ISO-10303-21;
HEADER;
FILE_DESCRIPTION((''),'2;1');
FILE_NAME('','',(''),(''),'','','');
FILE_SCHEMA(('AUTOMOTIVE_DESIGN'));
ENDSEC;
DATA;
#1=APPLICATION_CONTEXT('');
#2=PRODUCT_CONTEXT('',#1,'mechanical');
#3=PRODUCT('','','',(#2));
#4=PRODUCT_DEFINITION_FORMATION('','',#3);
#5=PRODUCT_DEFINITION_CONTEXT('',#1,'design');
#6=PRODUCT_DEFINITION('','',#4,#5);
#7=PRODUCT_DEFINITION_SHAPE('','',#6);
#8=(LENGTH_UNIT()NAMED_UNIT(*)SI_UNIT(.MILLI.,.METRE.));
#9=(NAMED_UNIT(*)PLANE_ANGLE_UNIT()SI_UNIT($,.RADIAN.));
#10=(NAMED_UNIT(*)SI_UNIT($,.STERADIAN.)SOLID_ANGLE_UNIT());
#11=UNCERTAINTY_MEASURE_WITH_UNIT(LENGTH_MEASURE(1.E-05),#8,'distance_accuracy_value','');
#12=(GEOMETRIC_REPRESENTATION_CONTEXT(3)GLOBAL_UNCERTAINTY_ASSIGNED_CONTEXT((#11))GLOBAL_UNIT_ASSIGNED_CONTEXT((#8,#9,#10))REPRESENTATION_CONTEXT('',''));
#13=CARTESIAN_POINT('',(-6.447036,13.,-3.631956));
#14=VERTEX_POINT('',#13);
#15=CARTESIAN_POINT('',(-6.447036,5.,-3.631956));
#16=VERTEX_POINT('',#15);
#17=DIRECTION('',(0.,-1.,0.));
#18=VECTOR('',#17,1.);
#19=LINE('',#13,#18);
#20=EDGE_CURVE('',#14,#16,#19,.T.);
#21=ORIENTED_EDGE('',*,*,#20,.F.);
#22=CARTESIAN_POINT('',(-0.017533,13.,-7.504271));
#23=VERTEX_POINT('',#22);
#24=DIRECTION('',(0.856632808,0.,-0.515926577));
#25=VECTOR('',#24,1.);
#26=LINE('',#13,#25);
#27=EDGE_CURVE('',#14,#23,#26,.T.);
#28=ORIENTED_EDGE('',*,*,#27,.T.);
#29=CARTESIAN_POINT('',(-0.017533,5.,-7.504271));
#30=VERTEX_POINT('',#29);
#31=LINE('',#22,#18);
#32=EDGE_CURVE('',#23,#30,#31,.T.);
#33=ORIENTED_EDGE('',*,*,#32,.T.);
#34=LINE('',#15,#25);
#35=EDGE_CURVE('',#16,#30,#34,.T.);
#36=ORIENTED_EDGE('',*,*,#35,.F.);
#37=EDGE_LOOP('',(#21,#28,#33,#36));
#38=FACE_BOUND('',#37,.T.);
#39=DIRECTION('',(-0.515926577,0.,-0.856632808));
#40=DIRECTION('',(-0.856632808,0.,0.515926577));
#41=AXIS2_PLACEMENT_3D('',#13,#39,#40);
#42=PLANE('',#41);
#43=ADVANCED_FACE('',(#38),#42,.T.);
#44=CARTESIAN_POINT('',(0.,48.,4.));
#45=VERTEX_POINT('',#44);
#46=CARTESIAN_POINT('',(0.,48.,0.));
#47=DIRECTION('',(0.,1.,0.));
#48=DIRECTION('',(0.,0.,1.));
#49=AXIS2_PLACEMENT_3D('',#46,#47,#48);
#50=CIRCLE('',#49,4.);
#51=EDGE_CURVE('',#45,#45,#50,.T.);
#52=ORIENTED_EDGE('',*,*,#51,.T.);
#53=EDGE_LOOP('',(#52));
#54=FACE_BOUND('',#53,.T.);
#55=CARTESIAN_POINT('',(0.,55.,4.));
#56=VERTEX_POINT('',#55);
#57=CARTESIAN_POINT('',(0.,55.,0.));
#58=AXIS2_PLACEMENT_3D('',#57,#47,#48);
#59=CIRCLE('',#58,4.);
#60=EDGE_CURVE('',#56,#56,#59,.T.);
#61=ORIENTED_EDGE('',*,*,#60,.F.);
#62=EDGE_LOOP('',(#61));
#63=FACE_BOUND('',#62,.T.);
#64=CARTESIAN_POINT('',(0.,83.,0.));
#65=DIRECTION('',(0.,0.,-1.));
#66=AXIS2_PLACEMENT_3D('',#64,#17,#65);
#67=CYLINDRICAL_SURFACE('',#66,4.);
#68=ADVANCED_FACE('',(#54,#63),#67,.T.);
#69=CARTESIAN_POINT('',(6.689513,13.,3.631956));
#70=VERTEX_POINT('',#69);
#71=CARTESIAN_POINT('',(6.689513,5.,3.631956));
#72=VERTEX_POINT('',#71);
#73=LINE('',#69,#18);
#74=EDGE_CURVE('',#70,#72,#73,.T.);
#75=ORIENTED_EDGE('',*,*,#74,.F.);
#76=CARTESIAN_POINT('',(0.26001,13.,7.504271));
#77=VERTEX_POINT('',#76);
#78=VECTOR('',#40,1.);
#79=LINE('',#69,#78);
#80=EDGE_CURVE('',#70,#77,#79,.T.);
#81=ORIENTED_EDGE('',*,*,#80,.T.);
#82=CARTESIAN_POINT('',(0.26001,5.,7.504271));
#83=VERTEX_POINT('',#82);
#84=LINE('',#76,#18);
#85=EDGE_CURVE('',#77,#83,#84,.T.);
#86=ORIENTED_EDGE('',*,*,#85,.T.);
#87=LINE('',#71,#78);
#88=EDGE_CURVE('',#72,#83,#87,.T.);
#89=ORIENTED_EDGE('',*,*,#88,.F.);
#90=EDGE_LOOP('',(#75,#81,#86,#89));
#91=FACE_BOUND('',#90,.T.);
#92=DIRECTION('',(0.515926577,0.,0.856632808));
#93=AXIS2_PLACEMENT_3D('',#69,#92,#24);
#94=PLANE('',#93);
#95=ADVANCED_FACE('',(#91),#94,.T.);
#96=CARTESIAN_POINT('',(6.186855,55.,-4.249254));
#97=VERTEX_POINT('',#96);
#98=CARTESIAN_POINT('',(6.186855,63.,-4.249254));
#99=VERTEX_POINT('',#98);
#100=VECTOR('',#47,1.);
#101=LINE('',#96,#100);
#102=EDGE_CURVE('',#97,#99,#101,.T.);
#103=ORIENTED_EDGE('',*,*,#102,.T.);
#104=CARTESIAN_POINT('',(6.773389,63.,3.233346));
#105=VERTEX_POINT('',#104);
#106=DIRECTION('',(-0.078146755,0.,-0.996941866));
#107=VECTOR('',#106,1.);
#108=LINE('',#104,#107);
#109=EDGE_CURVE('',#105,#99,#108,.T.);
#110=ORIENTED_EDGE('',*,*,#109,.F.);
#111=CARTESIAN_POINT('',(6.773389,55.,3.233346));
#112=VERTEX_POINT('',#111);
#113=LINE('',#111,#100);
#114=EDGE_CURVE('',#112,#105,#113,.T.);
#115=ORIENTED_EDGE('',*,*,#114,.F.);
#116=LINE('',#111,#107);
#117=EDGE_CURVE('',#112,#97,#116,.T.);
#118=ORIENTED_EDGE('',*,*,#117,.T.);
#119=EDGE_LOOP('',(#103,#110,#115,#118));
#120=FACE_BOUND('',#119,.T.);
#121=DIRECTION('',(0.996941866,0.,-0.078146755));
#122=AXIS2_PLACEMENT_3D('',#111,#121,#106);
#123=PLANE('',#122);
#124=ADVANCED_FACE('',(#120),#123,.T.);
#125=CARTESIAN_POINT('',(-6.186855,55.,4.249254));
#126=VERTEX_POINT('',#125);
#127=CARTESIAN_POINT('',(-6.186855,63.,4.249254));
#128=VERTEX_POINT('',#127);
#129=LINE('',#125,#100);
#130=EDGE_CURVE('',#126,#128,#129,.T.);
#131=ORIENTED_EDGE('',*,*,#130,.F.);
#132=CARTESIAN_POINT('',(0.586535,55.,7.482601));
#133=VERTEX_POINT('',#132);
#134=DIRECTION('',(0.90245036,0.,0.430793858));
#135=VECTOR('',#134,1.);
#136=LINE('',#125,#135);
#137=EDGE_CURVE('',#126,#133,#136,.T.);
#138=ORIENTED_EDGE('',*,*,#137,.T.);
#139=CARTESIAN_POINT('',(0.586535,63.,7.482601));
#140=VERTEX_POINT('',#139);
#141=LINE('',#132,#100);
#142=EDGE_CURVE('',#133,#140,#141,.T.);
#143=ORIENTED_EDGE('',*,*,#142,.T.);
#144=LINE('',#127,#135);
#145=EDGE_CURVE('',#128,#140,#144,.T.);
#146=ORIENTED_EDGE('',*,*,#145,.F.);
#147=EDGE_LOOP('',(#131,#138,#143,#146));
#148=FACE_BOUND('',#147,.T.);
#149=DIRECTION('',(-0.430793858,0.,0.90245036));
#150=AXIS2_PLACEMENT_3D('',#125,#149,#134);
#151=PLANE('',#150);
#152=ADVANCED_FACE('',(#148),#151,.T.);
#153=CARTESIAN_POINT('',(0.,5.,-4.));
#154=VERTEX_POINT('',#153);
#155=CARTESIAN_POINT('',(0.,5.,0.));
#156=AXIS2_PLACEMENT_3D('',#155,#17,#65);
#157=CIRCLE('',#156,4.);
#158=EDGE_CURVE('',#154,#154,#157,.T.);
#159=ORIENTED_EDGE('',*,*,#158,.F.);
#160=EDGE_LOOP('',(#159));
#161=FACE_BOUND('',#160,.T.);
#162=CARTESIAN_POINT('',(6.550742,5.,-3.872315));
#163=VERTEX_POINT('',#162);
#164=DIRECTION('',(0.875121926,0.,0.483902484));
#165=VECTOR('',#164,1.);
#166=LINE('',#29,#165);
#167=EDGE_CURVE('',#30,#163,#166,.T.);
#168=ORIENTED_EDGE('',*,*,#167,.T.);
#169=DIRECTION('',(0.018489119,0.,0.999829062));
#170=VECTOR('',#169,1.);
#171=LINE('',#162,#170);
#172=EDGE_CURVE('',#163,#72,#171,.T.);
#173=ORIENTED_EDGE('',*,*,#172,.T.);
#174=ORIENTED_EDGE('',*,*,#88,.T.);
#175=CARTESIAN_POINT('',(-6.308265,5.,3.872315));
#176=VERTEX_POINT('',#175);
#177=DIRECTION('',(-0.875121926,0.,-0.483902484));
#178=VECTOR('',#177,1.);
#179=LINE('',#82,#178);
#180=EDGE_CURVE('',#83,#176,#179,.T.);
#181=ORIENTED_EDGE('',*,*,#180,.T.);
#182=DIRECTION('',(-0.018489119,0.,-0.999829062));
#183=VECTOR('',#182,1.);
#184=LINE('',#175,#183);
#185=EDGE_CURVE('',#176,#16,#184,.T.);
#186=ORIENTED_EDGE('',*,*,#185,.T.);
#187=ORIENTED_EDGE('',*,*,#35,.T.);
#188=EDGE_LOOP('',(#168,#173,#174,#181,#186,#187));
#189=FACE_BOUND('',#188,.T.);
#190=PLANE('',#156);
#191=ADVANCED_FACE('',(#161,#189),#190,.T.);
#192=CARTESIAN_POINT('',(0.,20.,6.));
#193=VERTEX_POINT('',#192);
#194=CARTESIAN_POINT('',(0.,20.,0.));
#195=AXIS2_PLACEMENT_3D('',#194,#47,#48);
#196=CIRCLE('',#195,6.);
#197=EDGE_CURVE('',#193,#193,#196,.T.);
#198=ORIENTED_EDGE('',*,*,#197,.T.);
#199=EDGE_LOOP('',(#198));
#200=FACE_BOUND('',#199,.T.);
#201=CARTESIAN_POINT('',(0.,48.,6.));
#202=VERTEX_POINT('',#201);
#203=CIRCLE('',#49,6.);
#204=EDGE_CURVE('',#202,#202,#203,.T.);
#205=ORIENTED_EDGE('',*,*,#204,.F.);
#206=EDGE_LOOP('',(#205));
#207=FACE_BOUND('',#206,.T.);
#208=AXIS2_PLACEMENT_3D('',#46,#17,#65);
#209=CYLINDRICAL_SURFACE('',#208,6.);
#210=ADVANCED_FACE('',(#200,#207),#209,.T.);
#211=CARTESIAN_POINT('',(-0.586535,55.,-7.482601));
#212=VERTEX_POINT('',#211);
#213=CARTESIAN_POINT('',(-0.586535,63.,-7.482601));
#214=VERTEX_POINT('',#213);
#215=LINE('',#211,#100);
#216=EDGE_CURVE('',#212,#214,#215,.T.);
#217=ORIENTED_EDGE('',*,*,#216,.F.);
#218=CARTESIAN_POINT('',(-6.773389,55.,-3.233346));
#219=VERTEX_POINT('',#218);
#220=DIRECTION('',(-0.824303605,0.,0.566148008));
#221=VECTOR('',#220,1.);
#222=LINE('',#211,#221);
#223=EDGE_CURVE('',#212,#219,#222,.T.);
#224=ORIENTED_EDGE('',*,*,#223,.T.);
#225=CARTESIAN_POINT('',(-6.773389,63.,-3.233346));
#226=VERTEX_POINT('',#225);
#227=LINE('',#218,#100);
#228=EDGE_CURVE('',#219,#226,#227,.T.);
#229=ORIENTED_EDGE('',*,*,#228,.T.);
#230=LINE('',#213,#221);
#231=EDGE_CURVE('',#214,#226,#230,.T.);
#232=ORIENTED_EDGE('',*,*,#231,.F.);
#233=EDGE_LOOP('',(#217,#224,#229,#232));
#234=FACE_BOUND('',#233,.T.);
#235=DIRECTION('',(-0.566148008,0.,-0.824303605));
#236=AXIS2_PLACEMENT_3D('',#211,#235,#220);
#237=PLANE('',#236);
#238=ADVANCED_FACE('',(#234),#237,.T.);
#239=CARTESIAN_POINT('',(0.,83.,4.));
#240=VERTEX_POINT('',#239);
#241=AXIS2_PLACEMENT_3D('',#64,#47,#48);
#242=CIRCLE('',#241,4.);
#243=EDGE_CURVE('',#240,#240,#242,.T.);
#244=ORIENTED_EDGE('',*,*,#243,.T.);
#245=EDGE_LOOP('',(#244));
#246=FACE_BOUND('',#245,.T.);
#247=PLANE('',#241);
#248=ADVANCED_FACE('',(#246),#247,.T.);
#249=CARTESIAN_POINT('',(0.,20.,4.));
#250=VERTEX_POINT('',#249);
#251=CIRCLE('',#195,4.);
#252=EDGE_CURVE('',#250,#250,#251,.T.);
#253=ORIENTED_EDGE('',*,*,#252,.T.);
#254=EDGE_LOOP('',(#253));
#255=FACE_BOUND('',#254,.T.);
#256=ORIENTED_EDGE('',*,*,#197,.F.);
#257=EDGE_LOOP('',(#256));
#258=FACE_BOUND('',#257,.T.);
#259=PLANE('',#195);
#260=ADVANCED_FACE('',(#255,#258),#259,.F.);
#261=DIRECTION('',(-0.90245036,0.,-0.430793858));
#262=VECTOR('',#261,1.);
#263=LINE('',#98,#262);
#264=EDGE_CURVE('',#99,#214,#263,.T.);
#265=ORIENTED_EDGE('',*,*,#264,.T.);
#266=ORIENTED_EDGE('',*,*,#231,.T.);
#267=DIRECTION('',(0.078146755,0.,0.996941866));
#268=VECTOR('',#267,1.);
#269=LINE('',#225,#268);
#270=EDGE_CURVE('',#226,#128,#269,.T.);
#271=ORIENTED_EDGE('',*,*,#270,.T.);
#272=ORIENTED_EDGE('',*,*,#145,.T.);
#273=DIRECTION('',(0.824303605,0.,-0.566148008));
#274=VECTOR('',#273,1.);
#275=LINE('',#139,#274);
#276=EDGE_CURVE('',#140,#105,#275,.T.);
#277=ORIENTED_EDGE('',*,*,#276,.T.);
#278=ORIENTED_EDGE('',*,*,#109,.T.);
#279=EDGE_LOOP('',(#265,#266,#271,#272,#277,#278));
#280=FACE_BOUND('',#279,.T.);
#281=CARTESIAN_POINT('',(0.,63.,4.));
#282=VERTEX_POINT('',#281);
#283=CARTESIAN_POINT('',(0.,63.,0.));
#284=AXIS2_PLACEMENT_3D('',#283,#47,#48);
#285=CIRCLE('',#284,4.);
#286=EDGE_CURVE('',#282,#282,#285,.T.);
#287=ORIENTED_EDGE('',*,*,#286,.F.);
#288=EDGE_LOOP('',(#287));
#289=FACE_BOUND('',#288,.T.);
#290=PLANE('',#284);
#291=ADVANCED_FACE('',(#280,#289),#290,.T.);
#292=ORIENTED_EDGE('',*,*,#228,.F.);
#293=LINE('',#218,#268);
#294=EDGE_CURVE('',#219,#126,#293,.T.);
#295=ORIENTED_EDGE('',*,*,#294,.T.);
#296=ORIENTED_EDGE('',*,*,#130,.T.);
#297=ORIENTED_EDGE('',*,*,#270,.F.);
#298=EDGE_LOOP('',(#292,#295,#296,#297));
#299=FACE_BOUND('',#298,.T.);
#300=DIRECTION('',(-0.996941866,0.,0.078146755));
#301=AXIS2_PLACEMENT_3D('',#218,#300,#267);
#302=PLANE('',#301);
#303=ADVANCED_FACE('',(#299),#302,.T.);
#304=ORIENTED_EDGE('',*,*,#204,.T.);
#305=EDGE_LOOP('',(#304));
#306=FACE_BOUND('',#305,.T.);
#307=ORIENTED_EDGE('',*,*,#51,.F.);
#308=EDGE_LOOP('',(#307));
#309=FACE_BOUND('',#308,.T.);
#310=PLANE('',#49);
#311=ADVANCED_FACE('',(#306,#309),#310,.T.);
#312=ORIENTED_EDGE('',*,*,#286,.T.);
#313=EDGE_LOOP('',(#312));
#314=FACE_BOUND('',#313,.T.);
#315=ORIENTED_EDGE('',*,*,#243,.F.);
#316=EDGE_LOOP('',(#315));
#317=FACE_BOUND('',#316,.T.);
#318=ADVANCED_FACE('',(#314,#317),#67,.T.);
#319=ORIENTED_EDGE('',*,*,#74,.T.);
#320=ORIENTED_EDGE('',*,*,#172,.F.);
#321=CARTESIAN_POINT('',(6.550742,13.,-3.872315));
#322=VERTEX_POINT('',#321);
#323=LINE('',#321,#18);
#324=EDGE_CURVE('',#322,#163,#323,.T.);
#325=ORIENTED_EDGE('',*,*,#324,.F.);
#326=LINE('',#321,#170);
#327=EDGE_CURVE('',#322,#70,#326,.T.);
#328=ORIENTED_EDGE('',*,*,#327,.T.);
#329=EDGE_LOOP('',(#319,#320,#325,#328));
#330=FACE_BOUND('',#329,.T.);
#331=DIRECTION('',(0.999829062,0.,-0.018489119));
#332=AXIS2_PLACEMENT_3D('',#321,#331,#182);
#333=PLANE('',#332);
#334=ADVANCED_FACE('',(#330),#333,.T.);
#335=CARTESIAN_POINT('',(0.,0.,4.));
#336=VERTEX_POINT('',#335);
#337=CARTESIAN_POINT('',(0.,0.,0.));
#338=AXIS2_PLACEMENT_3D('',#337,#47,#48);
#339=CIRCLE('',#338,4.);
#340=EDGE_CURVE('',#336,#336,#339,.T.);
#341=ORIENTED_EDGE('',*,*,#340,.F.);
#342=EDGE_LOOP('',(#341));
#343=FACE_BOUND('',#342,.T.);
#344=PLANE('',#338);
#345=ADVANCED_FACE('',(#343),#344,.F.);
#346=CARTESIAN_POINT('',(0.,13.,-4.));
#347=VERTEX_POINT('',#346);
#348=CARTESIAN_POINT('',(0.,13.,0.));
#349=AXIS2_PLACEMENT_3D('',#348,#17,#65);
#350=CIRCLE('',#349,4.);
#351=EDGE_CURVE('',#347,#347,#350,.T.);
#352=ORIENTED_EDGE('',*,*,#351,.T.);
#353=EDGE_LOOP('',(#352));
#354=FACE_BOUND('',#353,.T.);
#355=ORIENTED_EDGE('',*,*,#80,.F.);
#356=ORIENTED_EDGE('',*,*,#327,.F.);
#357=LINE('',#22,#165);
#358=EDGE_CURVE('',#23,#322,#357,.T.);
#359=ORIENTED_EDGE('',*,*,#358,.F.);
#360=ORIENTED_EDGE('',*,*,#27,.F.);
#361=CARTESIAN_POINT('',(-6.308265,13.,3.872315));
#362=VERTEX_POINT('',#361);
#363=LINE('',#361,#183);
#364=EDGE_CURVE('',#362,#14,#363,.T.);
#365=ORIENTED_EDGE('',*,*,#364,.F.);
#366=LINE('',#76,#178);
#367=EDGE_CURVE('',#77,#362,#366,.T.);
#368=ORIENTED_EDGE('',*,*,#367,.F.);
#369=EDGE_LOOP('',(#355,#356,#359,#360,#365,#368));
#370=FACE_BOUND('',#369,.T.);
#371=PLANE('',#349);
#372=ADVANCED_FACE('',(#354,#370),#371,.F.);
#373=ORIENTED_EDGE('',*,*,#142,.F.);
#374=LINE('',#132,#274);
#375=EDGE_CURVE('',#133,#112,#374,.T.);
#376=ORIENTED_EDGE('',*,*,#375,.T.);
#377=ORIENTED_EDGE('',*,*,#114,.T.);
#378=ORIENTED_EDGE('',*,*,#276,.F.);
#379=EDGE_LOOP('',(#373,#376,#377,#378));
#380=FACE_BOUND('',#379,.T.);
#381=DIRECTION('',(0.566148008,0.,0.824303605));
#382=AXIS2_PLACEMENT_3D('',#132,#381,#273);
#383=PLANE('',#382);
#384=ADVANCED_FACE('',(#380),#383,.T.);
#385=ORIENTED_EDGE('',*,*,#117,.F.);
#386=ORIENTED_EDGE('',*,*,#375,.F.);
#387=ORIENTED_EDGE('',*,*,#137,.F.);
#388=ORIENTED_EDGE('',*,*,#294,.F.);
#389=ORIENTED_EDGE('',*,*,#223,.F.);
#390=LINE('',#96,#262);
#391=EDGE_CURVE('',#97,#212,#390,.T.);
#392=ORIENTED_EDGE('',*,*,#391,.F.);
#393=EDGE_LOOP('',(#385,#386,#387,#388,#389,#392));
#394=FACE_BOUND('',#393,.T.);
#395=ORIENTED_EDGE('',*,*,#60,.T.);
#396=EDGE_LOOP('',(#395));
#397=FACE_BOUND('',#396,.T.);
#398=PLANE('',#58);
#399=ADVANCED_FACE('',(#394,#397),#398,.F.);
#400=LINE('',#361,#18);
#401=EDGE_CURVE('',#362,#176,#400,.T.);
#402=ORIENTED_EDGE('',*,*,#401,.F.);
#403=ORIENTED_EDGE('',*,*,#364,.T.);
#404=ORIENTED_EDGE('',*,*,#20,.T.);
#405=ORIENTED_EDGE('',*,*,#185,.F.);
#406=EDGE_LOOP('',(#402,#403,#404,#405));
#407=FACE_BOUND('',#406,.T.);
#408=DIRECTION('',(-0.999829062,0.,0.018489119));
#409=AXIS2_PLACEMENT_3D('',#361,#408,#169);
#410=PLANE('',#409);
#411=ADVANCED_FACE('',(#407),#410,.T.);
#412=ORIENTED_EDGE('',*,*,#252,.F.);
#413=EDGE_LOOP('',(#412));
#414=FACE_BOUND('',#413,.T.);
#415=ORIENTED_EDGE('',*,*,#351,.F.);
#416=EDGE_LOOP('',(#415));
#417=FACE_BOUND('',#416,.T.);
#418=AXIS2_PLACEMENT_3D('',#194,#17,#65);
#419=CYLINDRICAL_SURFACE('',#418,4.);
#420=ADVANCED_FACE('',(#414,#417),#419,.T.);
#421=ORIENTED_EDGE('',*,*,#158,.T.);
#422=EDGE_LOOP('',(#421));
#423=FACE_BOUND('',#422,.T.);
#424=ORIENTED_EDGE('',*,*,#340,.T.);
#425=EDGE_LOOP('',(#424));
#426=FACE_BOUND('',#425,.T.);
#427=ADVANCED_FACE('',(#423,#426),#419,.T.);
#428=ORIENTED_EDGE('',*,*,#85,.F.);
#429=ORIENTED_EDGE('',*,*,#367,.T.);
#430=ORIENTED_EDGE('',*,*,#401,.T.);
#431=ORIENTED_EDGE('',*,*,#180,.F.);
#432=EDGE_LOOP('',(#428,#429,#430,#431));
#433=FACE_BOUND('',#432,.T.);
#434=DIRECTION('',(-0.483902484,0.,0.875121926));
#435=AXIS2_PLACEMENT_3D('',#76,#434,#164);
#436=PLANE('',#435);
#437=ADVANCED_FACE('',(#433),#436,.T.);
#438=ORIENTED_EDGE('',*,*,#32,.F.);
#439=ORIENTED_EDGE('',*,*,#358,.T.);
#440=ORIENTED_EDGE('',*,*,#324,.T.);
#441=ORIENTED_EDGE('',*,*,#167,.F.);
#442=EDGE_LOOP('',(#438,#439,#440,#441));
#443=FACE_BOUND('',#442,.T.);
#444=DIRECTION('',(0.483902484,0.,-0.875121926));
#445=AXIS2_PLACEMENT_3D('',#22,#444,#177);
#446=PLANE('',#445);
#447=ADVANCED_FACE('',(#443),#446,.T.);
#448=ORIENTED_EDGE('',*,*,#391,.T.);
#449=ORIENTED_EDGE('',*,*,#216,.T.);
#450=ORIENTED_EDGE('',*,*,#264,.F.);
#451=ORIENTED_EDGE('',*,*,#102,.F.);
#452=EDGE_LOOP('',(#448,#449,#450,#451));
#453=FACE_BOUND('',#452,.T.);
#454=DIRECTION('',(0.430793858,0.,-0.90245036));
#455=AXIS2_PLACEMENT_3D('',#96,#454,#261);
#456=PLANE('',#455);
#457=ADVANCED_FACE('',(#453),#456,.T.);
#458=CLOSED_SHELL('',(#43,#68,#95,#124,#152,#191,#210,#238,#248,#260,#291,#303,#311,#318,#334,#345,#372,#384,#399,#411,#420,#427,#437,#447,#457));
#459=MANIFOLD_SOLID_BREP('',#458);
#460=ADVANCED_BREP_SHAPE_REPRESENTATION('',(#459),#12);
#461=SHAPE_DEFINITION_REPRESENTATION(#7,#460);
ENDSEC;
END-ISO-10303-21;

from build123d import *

# Parameters (mm, degrees)
IZIM1_R                     = 4
Y_KSEKLIK_EKSTR_ZYON1_DEPTH = 20
IZIM2_R                     = 6
Y_KSEKLIK_EKSTR_ZYON2_DEPTH = 28
IZIM3_R                     = 4
Y_KSEKLIK_EKSTR_ZYON3_DEPTH = 35
Y_KSEKLIK_EKSTR_ZYON4_START = -5
Y_KSEKLIK_EKSTR_ZYON4_DEPTH = 8
Y_KSEKLIK_EKSTR_ZYON5_START = -20
Y_KSEKLIK_EKSTR_ZYON5_DEPTH = 8


with BuildPart() as part:
    # Çizim1 → Yükseklik-Ekstrüzyon1 (new body)
    with BuildSketch(Plane(origin=(0, 0, 0), x_dir=(1, 0, 0), z_dir=(0, 1, 0))):
        with Locations(Location((0, 0, 0), (0, 0, 270))):
            Circle(IZIM1_R)
    extrude(amount=Y_KSEKLIK_EKSTR_ZYON1_DEPTH)

    # Çizim2 → Yükseklik-Ekstrüzyon2 (add)
    with BuildSketch(Plane(origin=(0, 20, 0), x_dir=(1, 0, 0), z_dir=(0, 1, 0))):
        with Locations(Location((0, 0, 0), (0, 0, 270))):
            Circle(IZIM2_R)
    extrude(amount=Y_KSEKLIK_EKSTR_ZYON2_DEPTH)

    # Çizim3 → Yükseklik-Ekstrüzyon3 (add)
    with BuildSketch(Plane(origin=(0, 48, 0), x_dir=(1, 0, 0), z_dir=(0, 1, 0))):
        with Locations(Location((0, 0, 0), (0, 0, 270))):
            Circle(IZIM3_R)
    extrude(amount=Y_KSEKLIK_EKSTR_ZYON3_DEPTH)

    # Çizim4 → Yükseklik-Ekstrüzyon4 (add)
    with BuildSketch(Plane.XZ.offset(Y_KSEKLIK_EKSTR_ZYON4_START)):
        Polygon((-6.308264839, 3.872314527), (-6.447035908, -3.631955985), (-0.017532542, -7.504270512), (6.550741893, -3.872314527), (6.689512962, 3.631955985), (0.260009596, 7.504270512), align=None)
    extrude(amount=-Y_KSEKLIK_EKSTR_ZYON4_DEPTH)

    # Çizim5 → Yükseklik-Ekstrüzyon5 (add)
    with BuildSketch(Plane(origin=(0, 83, 0), x_dir=(1, 0, 0), z_dir=(0, 1, 0)).offset(Y_KSEKLIK_EKSTR_ZYON5_START)):
        Polygon((6.773389455, -3.23334635), (6.186854806, 4.249254163), (-0.586534649, 7.482600513), (-6.773389455, 3.23334635), (-6.186854806, -4.249254163), (0.586534649, -7.482600513), align=None)
    extrude(amount=-Y_KSEKLIK_EKSTR_ZYON5_DEPTH)


solid = part.part
